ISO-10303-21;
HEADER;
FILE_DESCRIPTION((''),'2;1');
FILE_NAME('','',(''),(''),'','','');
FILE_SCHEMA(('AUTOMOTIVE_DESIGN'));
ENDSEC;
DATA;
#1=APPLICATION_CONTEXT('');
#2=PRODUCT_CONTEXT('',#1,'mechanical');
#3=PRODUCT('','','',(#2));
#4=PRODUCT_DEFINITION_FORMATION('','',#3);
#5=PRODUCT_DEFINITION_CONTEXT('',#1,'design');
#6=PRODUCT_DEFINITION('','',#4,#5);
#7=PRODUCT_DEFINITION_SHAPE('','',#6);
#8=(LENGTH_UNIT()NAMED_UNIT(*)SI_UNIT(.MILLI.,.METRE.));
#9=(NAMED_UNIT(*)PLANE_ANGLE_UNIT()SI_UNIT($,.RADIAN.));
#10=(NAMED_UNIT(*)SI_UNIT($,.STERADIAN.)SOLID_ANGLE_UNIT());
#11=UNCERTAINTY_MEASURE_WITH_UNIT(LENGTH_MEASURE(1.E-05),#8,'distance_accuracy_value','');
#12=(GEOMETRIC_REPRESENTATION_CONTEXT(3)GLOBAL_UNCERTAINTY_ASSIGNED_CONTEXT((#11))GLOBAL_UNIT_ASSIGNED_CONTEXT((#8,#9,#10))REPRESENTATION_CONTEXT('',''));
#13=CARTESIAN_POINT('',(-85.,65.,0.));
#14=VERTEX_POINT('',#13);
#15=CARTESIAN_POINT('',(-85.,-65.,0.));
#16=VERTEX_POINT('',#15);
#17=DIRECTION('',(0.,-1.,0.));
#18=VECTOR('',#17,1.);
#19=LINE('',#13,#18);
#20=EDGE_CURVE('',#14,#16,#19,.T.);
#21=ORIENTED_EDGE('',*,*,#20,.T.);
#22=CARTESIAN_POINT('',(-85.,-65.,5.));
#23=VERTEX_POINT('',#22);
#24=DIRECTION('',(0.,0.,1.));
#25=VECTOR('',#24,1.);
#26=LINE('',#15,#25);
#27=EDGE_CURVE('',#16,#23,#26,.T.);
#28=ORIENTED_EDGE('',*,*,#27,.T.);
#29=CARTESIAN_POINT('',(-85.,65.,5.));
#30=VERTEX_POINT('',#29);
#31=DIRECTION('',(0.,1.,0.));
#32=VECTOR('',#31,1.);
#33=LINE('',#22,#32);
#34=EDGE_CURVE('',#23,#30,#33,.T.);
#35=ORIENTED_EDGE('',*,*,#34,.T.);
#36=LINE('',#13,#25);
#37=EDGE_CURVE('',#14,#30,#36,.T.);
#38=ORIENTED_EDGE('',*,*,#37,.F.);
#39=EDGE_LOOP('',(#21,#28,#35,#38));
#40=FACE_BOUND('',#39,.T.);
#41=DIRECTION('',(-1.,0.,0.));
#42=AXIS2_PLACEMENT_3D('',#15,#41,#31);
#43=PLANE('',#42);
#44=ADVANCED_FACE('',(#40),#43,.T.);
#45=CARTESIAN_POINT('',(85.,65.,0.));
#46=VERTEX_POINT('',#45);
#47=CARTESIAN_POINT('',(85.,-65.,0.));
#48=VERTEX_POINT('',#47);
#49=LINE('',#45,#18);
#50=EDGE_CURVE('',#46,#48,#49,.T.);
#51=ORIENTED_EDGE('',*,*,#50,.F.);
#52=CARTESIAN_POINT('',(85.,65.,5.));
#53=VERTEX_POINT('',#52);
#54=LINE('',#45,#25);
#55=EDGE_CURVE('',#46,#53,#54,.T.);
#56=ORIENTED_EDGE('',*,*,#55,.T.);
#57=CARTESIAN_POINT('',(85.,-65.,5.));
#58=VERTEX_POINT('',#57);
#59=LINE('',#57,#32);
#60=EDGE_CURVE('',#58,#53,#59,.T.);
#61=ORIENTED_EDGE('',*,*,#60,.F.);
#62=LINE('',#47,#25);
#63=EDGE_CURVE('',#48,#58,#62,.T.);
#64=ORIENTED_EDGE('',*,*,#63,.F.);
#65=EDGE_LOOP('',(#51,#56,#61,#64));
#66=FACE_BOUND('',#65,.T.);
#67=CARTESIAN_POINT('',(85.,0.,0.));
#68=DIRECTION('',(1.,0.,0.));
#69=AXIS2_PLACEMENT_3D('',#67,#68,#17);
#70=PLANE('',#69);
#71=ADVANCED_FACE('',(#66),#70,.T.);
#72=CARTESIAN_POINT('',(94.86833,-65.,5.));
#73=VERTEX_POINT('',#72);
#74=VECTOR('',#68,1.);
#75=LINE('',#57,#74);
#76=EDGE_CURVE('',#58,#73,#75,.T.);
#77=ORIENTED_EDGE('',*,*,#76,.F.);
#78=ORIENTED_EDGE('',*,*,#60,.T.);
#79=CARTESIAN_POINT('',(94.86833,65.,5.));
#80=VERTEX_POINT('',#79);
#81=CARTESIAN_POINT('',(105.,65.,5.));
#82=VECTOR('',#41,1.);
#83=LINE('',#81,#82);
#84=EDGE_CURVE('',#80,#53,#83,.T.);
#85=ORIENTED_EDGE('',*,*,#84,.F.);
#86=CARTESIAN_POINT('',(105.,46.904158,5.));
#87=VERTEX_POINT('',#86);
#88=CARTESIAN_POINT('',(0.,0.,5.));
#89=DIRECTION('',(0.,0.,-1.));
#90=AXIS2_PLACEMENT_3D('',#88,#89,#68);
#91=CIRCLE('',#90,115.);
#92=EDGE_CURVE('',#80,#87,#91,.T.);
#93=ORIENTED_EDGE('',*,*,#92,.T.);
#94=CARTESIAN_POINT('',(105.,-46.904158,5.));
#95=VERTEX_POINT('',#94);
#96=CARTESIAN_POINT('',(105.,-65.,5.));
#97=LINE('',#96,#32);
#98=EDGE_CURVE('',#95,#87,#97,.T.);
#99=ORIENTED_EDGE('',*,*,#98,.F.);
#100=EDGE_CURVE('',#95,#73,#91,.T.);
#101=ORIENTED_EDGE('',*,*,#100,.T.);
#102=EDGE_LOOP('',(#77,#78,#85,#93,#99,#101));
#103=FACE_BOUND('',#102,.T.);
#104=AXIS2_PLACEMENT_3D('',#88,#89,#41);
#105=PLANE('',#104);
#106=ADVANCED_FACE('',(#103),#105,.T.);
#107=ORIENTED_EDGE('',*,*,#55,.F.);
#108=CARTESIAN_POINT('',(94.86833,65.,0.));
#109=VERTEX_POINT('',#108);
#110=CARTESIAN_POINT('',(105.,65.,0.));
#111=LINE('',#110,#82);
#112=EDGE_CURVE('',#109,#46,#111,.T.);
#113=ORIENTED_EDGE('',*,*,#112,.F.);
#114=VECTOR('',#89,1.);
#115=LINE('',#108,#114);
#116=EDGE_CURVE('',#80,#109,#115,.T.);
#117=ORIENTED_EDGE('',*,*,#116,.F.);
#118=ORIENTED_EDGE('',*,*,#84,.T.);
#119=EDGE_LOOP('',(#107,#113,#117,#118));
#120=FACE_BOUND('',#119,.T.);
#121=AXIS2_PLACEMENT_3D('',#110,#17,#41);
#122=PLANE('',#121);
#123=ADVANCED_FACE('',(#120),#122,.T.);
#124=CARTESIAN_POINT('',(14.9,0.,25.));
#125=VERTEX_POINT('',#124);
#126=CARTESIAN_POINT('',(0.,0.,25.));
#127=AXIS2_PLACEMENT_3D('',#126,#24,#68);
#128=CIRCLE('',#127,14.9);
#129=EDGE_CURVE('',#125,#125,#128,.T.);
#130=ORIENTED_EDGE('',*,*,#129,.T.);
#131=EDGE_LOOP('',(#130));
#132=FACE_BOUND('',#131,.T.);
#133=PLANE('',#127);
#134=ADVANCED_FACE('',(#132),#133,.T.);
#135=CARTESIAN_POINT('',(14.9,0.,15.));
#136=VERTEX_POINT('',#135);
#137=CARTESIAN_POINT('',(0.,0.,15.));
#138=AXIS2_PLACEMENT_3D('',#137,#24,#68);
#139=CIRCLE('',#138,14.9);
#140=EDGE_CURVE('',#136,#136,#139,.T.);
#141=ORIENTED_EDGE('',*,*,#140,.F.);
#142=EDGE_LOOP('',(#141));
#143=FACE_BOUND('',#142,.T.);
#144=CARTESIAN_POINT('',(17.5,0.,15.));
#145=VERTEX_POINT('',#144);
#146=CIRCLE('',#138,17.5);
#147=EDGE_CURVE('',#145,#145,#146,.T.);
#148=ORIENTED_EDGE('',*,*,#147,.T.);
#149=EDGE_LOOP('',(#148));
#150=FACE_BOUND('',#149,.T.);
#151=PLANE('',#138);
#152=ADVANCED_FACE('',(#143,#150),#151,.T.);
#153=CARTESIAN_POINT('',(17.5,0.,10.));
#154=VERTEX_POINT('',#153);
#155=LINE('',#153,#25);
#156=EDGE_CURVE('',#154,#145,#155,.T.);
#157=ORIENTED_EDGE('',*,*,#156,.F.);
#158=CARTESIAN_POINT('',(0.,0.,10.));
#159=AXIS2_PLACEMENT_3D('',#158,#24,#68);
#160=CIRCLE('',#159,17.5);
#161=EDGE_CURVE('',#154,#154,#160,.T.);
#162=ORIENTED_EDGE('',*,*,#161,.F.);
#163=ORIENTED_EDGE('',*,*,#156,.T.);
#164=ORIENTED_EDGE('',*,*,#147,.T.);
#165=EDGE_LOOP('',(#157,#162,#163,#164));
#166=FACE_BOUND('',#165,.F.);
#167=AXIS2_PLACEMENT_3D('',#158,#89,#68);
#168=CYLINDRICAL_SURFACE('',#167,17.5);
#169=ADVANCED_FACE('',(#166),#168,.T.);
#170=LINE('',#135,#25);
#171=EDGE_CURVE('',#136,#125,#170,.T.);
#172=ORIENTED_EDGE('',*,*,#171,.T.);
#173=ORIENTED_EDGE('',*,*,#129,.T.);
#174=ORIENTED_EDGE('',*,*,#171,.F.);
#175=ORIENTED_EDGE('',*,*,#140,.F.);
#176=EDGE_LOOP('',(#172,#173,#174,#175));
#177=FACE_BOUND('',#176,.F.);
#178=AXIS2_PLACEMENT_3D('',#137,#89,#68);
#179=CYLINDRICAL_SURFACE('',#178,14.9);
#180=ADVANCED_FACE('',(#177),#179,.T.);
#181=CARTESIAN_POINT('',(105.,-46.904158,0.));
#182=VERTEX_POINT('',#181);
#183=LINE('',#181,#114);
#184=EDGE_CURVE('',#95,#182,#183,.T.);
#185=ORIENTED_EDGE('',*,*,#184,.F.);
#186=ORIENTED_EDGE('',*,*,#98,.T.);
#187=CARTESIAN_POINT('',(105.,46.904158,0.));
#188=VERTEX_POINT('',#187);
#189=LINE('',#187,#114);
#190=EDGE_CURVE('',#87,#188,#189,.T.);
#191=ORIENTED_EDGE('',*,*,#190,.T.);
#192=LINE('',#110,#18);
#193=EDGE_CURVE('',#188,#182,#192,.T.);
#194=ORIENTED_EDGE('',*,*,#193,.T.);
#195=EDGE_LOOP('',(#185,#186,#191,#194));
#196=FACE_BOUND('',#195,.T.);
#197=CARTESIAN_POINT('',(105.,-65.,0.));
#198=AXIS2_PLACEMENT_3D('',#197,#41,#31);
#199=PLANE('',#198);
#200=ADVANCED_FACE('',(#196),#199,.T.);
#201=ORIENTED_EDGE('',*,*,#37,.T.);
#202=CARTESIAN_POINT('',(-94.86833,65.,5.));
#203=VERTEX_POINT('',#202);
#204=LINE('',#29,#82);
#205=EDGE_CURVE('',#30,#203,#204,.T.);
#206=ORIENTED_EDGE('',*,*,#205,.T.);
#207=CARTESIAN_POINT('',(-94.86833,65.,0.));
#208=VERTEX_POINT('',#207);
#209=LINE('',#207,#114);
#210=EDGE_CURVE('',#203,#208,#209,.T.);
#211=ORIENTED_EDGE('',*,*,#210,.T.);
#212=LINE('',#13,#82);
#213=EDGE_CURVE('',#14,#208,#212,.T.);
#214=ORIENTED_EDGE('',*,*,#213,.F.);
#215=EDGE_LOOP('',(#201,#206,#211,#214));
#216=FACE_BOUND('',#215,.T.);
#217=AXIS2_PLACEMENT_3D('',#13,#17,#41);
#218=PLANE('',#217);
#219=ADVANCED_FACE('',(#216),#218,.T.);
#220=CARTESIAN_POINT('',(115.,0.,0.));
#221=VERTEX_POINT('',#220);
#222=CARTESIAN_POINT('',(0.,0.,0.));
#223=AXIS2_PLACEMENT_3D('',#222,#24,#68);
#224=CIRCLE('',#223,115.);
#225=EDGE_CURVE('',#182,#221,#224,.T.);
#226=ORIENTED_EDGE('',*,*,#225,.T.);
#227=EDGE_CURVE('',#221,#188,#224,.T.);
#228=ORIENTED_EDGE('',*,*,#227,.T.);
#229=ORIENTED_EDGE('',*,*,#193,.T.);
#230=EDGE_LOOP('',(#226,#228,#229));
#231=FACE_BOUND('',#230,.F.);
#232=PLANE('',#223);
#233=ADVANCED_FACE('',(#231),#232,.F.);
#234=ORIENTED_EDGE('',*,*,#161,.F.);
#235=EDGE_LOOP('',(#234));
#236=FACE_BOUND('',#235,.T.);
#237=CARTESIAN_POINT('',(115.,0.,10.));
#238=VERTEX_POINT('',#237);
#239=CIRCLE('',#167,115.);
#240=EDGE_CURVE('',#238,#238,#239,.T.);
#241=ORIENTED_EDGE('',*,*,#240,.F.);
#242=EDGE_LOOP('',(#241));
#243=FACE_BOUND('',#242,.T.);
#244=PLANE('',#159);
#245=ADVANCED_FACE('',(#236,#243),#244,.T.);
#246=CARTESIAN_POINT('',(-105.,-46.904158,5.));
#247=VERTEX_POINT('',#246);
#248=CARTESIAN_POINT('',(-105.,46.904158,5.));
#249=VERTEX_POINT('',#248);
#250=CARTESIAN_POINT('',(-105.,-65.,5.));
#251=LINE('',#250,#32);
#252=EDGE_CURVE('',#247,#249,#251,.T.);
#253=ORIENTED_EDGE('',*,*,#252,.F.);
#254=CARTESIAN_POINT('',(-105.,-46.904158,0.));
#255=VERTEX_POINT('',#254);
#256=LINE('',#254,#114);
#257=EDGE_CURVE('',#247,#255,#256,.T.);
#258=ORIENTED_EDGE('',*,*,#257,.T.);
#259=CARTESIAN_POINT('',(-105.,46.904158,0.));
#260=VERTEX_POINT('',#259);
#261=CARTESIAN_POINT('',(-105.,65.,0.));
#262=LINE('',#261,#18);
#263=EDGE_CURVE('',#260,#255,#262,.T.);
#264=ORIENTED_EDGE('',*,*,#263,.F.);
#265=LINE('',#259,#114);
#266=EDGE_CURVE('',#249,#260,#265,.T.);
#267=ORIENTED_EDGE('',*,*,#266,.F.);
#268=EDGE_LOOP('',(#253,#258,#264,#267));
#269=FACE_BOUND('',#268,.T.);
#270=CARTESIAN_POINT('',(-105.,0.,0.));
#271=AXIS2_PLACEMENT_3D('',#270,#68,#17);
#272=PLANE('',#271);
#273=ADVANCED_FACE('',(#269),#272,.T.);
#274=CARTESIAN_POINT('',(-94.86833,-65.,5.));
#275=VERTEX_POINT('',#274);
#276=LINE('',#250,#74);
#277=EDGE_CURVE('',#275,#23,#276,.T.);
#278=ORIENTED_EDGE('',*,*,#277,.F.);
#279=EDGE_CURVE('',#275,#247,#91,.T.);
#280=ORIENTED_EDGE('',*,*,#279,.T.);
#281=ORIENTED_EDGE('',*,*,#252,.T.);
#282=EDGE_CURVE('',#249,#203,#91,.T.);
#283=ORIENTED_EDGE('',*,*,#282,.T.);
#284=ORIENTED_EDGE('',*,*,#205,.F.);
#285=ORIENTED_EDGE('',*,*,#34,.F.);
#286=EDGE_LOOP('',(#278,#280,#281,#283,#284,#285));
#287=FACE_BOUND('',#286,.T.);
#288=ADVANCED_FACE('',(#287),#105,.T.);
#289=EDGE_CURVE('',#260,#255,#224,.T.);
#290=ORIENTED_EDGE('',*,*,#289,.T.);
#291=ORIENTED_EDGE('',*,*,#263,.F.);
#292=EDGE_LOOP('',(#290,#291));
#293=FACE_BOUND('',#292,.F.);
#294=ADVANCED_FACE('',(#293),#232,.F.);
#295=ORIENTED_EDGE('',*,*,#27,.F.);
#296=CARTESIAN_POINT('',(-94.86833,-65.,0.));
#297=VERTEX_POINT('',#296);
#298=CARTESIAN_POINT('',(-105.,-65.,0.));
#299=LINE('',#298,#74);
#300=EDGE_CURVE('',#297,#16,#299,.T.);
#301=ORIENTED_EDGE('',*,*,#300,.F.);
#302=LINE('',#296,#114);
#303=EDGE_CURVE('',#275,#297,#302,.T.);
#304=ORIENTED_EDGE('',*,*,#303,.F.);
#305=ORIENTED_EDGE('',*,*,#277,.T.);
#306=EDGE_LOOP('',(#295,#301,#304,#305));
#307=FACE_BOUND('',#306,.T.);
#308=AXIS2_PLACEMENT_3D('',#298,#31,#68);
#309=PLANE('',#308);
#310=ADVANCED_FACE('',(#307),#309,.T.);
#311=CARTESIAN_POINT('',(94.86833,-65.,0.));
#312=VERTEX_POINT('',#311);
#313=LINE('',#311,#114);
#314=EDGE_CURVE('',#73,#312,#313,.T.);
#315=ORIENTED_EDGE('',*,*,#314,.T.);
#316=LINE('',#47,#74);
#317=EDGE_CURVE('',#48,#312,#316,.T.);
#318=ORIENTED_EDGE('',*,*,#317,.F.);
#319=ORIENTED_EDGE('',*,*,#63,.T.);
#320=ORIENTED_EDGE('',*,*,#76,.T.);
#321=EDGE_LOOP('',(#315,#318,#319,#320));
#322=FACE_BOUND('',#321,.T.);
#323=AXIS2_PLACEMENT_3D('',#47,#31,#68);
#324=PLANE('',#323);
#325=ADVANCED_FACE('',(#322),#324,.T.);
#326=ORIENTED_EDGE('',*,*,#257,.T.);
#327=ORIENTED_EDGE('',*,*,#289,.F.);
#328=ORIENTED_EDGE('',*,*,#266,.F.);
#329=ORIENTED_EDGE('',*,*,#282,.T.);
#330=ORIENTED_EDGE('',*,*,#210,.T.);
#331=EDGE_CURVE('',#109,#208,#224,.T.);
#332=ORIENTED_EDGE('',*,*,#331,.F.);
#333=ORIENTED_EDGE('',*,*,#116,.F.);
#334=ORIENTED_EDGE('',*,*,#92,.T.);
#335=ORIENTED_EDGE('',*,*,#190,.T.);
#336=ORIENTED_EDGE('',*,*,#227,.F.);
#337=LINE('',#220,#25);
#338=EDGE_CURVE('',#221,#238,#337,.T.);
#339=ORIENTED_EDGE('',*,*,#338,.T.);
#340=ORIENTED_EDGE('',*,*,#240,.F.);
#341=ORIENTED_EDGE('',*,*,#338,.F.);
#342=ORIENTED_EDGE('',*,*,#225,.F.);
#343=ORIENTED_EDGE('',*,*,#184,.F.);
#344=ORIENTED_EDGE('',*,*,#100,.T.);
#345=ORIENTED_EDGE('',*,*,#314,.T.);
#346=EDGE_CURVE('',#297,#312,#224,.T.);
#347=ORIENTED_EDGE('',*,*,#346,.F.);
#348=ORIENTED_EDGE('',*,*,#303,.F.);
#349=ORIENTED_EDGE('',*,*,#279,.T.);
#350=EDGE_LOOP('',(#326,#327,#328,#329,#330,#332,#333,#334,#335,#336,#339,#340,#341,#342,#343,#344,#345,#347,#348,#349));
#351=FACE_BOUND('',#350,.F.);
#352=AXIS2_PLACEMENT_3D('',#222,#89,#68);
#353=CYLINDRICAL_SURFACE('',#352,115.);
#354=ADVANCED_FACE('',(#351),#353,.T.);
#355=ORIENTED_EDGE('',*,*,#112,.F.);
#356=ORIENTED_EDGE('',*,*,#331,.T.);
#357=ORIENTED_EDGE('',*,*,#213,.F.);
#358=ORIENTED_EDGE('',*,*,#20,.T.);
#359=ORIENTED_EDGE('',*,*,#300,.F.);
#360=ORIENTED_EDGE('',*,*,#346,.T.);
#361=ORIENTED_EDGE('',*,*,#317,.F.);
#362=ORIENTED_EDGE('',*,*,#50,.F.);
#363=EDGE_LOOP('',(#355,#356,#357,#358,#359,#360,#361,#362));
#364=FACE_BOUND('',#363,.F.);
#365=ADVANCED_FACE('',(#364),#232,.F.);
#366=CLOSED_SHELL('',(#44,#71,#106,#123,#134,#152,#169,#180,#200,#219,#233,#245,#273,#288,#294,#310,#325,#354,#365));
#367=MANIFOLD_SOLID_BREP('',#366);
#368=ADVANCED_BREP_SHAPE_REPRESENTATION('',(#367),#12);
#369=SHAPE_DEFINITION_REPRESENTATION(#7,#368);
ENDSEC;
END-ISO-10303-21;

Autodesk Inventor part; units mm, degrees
ref_plane "YZ Plane" through (0, 0, 0) normal (1, 0, 0) x (0, 1, 0)
ref_plane "XZ Plane" through (0, 0, 0) normal (0, 1, 0) x (-1, 0, 0)
ref_plane "XY Plane" through (0, 0, 0) normal (0, 0, 1) x (1, 0, 0)
sketch "Boceto1" plane through (0, 0, 0) normal (0, 0, 1) x (1, 0, 0)
  circle A0 centre (0, 0) radius 115
  line L0 (105, 0) -> (105, 65)
  line L1 (105, 65) -> (105, -65)
  line L2 (105, -65) -> (85, -65)
  line L3 (85, -65) -> (85, 65)
  line L4 (85, 65) -> (105, 65)
  line L5 (-105, 0) -> (-105, 65)
  line L6 (-105, 65) -> (-85, 65)
  line L7 (-85, 65) -> (-85, -65)
  line L8 (-85, -65) -> (-105, -65)
  line L9 (-105, -65) -> (-105, 0)
  dimension "d0" = 230
  dimension "d33" = 65
  dimension "d34" = 130
  dimension "d35" = 20
  dimension "d36" = 65
  dimension "d37" = 20
extrude "Extrusión1" add sketch "Boceto1" along normal blind 10 contours A0 L1 L0 | L0 L1 A0 L2 L3 L4 | L4 L3 L2 A0 L8 L7 L6 | L6 L7 L8 A0 L9 L5 | L5 L9 A0
sketch "Boceto2" plane through (0, 0, 10) normal (0, 0, 1) x (1, 0, 0)
  circle A0 centre (0, 0) radius 17.5
  circle A1 centre (0, 0) radius 14.9
  dimension "d4" = 35
  dimension "d21" = 29.8
extrude "Extrusión2" add sketch "Boceto2" along normal blind 5 contours A0 | A1
sketch "Boceto3" plane through (0, 0, 15) normal (0, 0, 1) x (1, 0, 0)
  circle A0 centre (0, 0) radius 14.9
  dimension "d20" = 29.8
extrude "Extrusión3" [suppressed]
sketch "Boceto4" plane through (0, 0, 0) normal (0, 0, -1) x (-1, 0, 0)
  line L0 (105, 0) -> (-105, 0)
  line L1 (-105, 0) -> (-105, 65)
  line L2 (-105, 65) -> (-85, 65)
  line L3 (-85, 65) -> (-85, -65)
  line L4 (-85, -65) -> (-105, -65)
  line L5 (-105, -65) -> (-105, 0)
  line L6 (105, 0) -> (105, -65)
  line L7 (105, -65) -> (85, -65)
  line L8 (85, -65) -> (85, 65)
  line L9 (85, 65) -> (105, 65)
  line L10 (105, 65) -> (105, 0)
  point P0 (0, 0)
  dimension "d40" = 65
  dimension "d41" = 20
  dimension "d42" = 130
  dimension "d43" = 65
  dimension "d44" = 20
  dimension "d45" = 130
sketch "Boceto5" plane through (0, 0, 15) normal (0, 0, 1) x (1, 0, 0)
  circle A0 centre (0, 0) radius 14.9
  dimension "d22" = 29.8
extrude "Extrusión4" add sketch "Boceto5" along normal blind 10
ref_plane "Plano de trabajo2" through (0, 0, 5) normal (0, 0, -1) x (-1, 0, 0)
extrude "Extrusión5" cut sketch "Boceto4" against normal blind 5
properties part number "plato"
